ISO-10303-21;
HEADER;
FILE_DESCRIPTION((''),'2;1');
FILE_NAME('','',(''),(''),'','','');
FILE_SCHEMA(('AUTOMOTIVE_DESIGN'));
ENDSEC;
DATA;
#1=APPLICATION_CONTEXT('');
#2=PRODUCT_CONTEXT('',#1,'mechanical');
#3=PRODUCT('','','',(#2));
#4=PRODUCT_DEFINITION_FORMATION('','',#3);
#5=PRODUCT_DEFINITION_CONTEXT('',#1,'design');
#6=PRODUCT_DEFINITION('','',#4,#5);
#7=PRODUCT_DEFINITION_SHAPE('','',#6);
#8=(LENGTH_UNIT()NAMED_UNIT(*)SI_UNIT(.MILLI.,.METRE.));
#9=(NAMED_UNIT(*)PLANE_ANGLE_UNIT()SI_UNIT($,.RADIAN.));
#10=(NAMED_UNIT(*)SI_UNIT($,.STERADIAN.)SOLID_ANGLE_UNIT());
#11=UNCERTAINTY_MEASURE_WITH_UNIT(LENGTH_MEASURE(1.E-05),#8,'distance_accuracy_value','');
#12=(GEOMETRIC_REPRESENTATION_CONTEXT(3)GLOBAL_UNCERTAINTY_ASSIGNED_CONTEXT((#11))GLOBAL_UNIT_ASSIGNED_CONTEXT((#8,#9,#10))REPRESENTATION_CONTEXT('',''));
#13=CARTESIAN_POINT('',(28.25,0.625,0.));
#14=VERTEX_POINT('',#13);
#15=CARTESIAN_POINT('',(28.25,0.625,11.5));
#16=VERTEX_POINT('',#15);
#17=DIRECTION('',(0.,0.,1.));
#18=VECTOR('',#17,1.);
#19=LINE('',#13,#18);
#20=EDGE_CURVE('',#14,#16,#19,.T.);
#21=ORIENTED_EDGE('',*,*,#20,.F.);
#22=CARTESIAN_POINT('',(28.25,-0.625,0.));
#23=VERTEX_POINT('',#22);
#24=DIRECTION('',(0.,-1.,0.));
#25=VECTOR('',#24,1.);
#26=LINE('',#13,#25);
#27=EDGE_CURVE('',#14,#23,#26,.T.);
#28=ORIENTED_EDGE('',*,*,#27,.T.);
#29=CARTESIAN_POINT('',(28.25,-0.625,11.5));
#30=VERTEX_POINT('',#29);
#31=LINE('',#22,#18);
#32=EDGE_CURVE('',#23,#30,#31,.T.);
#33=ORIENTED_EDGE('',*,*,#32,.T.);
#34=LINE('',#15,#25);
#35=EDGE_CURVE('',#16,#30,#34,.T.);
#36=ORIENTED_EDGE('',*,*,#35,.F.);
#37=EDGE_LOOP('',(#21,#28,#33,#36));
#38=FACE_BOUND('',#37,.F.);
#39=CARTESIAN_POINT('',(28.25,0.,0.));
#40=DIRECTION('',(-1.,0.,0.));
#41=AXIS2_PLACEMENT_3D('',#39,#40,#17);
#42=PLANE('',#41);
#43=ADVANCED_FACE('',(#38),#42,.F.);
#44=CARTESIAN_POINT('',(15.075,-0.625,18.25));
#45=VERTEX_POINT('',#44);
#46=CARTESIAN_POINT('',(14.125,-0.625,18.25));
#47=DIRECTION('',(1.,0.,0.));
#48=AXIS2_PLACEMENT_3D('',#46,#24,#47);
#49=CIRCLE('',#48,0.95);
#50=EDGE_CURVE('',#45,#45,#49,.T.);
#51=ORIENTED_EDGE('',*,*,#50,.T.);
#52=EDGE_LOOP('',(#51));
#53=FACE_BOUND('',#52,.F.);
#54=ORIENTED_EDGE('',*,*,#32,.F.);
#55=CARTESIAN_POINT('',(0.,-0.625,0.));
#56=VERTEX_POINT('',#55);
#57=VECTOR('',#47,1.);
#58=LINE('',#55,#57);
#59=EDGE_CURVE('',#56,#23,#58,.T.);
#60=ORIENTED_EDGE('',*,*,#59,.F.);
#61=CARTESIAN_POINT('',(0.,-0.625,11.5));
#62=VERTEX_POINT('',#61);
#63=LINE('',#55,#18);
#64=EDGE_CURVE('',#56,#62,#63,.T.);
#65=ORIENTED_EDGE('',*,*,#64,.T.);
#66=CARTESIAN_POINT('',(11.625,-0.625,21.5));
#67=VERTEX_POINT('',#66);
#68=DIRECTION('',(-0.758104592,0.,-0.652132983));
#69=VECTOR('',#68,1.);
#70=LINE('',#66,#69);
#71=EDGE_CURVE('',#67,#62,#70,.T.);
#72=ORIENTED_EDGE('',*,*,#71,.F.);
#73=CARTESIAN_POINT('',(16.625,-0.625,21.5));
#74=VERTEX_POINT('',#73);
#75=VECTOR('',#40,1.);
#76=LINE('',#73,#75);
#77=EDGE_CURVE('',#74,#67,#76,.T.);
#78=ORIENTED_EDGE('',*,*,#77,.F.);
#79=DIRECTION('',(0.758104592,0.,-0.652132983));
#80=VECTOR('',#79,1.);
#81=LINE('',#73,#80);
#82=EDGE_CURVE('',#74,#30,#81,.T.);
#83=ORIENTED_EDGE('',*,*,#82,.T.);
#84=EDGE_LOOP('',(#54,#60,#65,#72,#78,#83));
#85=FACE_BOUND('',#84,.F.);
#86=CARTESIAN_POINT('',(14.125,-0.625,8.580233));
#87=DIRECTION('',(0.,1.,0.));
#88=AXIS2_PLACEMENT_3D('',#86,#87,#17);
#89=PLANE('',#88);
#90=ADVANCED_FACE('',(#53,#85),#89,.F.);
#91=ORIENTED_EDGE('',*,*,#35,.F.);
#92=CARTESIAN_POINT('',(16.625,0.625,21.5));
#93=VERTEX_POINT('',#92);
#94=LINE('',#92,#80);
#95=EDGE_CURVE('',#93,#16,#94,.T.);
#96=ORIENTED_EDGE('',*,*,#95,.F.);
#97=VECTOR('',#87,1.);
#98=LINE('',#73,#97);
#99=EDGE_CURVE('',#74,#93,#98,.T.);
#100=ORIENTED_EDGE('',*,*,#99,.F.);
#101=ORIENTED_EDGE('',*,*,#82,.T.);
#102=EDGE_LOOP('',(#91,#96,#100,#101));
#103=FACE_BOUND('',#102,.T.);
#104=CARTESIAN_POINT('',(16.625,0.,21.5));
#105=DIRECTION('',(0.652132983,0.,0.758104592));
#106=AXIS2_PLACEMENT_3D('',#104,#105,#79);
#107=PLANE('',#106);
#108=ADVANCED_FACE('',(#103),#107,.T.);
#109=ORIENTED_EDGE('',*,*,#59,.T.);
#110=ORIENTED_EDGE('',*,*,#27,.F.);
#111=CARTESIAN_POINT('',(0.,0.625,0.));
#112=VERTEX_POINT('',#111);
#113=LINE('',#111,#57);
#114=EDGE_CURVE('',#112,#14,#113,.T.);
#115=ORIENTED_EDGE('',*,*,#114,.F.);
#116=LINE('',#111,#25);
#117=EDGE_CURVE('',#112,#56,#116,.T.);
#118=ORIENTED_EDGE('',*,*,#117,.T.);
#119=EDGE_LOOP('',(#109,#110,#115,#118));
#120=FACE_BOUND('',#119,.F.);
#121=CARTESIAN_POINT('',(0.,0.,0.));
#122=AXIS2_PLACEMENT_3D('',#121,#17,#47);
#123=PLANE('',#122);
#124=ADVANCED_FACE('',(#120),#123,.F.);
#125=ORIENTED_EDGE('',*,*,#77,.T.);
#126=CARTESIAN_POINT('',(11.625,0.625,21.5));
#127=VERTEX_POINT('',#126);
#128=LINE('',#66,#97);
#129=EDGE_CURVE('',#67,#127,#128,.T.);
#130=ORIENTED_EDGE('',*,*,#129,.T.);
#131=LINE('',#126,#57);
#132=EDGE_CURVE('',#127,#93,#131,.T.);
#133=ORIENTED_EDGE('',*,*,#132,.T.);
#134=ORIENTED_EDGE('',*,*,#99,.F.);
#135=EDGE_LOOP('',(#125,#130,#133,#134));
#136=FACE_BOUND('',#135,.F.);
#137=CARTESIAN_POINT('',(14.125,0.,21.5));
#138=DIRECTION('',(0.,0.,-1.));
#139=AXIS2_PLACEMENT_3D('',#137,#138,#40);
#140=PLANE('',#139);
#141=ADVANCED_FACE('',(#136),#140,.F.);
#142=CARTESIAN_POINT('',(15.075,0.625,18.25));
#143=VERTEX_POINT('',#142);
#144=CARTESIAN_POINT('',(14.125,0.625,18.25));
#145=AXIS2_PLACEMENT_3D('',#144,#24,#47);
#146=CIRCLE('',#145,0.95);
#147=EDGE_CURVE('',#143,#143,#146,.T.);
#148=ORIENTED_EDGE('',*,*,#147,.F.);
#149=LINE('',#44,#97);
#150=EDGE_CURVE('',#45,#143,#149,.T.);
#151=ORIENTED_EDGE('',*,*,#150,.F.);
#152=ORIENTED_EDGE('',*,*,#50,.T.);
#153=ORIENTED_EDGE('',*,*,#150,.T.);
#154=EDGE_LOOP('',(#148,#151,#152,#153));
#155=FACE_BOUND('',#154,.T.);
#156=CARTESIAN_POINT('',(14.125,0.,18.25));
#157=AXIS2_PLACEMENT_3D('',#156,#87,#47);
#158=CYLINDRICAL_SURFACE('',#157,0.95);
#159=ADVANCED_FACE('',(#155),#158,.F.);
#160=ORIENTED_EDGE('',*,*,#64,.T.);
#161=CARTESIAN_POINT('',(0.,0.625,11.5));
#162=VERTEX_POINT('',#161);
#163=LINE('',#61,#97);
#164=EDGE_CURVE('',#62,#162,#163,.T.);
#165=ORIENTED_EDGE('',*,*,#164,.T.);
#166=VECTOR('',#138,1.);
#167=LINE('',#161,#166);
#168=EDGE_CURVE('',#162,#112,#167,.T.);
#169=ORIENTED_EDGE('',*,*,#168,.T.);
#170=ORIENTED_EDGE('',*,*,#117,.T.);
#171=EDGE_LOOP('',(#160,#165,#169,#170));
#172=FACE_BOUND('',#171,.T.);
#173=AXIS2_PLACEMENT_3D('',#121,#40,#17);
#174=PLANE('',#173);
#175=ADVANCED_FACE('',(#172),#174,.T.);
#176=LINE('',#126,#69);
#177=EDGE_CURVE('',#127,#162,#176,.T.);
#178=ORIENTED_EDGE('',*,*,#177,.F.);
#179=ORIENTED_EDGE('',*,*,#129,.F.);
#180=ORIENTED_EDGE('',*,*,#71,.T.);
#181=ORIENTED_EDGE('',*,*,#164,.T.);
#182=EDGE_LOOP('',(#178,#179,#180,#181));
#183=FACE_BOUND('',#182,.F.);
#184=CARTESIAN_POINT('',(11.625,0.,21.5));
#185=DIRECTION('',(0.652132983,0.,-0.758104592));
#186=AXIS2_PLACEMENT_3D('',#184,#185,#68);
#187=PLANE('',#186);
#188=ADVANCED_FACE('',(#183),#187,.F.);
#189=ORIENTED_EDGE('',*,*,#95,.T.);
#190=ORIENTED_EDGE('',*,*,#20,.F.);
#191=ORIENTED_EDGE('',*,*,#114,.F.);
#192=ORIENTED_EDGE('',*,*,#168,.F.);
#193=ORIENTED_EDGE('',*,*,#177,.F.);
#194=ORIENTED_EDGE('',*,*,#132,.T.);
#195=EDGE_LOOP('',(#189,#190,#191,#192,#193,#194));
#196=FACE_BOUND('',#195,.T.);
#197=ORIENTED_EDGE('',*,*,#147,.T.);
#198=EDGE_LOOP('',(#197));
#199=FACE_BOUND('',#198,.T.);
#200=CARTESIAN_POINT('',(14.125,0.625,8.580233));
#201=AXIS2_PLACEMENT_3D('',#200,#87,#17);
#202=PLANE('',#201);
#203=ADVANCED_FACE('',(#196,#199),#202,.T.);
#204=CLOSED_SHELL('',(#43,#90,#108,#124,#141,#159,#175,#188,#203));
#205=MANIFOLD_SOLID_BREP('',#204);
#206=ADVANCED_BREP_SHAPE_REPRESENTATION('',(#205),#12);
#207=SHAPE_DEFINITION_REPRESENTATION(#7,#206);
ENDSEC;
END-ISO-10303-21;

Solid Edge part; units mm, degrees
sketch "Sketch1" plane through (0, 0, 0) normal (0, -1, 0) x (1, 0, 0)
  line L0 (0, 0) -> (0, 5.75)
  line L1 (0, 11.5) -> (0, 5.75)
  line L2 (11.625, 21.5) -> (0, 11.5)
  line L3 (14.125, 21.5) -> (11.625, 21.5)
  line L4 (14.125, 21.5) -> (16.625, 21.5)
  line L5 (16.625, 21.5) -> (28.25, 11.5)
  line L6 (28.25, 0) -> (28.25, 11.5)
  line L7 (0, 0) -> (28.25, 0)
  circle A0 centre (14.125, 18.25) radius 0.95
extrude "Protrusion1" add sketch "Sketch1" along normal mid plane 1.25
properties material "Stainless Steel, 420"
